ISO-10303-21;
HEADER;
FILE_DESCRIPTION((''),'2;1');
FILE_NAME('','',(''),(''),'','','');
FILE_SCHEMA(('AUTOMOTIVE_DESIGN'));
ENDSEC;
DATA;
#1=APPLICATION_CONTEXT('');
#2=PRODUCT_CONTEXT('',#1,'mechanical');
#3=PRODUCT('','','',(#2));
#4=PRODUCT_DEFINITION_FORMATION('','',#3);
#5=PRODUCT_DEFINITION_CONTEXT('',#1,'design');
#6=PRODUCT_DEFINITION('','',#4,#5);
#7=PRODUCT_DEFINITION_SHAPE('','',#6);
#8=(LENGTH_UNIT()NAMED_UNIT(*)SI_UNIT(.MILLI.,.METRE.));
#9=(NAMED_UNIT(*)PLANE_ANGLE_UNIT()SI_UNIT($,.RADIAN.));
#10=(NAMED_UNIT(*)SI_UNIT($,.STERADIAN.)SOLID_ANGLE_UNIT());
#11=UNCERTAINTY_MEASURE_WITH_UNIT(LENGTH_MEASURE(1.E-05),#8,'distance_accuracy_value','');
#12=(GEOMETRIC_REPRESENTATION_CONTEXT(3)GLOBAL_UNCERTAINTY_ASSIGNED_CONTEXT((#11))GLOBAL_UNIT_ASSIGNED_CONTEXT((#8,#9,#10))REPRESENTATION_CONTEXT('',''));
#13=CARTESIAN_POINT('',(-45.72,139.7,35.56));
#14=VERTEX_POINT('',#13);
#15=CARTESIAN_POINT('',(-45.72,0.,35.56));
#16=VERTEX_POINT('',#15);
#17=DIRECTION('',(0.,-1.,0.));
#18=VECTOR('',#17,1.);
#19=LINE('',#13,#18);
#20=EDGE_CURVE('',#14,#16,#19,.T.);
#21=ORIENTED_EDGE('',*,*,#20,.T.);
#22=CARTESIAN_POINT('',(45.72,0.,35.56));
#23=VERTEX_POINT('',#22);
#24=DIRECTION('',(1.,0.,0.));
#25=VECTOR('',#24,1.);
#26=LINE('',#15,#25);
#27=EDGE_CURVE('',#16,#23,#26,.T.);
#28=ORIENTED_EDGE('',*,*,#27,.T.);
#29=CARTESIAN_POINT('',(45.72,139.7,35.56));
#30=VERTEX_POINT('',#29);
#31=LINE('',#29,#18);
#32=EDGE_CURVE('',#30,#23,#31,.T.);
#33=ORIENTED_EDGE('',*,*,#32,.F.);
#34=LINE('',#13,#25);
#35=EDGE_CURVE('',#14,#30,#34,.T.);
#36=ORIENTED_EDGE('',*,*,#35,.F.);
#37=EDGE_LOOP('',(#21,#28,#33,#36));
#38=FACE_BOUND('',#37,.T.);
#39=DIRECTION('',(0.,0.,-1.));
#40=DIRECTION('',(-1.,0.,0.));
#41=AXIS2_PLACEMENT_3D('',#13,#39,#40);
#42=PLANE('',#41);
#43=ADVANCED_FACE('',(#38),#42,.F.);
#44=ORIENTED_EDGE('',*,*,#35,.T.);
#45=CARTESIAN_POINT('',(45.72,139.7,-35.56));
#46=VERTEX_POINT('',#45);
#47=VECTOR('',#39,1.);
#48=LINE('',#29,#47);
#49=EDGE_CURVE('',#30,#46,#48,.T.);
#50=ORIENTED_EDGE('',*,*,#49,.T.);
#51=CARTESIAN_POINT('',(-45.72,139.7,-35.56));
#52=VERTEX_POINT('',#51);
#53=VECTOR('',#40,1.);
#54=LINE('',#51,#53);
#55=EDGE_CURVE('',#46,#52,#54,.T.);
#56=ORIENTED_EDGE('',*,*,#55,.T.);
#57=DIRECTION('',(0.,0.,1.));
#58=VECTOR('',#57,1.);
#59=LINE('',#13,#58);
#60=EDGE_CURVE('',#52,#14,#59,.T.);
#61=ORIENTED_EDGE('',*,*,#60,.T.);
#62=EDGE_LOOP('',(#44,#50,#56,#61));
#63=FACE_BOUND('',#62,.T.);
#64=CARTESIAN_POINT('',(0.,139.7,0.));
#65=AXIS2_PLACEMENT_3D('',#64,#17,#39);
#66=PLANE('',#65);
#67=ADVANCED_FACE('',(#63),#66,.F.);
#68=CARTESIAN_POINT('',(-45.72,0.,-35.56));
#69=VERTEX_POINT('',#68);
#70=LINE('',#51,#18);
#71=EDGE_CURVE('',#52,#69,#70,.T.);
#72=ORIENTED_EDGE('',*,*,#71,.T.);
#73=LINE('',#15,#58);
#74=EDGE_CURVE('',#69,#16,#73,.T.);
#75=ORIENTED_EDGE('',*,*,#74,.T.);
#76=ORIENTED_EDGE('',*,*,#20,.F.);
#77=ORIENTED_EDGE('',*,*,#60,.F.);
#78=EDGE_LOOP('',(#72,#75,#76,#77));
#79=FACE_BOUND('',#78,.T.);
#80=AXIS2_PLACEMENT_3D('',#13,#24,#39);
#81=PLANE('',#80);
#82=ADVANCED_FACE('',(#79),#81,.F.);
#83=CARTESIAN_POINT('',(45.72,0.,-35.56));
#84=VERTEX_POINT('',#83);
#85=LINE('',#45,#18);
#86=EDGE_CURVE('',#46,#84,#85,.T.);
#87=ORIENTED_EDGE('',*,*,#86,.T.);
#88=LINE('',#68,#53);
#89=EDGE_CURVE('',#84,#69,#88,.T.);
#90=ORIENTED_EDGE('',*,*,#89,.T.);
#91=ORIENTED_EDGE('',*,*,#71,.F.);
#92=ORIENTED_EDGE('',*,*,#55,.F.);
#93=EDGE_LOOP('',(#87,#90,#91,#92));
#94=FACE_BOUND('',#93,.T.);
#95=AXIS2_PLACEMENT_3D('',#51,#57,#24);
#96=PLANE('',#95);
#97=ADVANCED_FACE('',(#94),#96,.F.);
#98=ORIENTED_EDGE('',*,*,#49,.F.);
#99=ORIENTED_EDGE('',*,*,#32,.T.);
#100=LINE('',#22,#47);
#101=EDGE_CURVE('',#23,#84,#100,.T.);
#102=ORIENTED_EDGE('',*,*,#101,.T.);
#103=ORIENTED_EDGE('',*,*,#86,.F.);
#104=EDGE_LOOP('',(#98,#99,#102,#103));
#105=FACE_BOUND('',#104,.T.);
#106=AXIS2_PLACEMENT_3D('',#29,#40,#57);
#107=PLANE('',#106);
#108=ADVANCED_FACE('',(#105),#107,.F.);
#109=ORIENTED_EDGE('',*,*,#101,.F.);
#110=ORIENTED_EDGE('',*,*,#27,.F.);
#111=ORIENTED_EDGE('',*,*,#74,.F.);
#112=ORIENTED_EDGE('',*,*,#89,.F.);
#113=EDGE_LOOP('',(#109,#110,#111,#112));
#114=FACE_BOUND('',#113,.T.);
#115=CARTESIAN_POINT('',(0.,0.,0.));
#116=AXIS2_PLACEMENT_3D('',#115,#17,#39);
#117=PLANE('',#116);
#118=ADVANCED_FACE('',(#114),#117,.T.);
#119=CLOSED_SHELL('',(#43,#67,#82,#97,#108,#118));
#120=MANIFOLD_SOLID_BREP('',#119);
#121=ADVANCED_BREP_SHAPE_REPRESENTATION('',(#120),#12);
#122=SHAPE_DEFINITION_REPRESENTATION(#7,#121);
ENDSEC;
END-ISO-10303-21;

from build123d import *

# Parameters (mm, degrees)
SKETCH2_W           = 91.44
SKETCH2_H           = 71.12
BOSS_EXTRUDE1_DEPTH = 139.7


with BuildPart() as part:
    # Sketch2 → Boss-Extrude1 (new body)
    with BuildSketch(Plane(origin=(0, 0, 0), x_dir=(1, 0, 0), z_dir=(0, 1, 0))):
        Rectangle(SKETCH2_W, SKETCH2_H)
    extrude(amount=BOSS_EXTRUDE1_DEPTH)


solid = part.part
